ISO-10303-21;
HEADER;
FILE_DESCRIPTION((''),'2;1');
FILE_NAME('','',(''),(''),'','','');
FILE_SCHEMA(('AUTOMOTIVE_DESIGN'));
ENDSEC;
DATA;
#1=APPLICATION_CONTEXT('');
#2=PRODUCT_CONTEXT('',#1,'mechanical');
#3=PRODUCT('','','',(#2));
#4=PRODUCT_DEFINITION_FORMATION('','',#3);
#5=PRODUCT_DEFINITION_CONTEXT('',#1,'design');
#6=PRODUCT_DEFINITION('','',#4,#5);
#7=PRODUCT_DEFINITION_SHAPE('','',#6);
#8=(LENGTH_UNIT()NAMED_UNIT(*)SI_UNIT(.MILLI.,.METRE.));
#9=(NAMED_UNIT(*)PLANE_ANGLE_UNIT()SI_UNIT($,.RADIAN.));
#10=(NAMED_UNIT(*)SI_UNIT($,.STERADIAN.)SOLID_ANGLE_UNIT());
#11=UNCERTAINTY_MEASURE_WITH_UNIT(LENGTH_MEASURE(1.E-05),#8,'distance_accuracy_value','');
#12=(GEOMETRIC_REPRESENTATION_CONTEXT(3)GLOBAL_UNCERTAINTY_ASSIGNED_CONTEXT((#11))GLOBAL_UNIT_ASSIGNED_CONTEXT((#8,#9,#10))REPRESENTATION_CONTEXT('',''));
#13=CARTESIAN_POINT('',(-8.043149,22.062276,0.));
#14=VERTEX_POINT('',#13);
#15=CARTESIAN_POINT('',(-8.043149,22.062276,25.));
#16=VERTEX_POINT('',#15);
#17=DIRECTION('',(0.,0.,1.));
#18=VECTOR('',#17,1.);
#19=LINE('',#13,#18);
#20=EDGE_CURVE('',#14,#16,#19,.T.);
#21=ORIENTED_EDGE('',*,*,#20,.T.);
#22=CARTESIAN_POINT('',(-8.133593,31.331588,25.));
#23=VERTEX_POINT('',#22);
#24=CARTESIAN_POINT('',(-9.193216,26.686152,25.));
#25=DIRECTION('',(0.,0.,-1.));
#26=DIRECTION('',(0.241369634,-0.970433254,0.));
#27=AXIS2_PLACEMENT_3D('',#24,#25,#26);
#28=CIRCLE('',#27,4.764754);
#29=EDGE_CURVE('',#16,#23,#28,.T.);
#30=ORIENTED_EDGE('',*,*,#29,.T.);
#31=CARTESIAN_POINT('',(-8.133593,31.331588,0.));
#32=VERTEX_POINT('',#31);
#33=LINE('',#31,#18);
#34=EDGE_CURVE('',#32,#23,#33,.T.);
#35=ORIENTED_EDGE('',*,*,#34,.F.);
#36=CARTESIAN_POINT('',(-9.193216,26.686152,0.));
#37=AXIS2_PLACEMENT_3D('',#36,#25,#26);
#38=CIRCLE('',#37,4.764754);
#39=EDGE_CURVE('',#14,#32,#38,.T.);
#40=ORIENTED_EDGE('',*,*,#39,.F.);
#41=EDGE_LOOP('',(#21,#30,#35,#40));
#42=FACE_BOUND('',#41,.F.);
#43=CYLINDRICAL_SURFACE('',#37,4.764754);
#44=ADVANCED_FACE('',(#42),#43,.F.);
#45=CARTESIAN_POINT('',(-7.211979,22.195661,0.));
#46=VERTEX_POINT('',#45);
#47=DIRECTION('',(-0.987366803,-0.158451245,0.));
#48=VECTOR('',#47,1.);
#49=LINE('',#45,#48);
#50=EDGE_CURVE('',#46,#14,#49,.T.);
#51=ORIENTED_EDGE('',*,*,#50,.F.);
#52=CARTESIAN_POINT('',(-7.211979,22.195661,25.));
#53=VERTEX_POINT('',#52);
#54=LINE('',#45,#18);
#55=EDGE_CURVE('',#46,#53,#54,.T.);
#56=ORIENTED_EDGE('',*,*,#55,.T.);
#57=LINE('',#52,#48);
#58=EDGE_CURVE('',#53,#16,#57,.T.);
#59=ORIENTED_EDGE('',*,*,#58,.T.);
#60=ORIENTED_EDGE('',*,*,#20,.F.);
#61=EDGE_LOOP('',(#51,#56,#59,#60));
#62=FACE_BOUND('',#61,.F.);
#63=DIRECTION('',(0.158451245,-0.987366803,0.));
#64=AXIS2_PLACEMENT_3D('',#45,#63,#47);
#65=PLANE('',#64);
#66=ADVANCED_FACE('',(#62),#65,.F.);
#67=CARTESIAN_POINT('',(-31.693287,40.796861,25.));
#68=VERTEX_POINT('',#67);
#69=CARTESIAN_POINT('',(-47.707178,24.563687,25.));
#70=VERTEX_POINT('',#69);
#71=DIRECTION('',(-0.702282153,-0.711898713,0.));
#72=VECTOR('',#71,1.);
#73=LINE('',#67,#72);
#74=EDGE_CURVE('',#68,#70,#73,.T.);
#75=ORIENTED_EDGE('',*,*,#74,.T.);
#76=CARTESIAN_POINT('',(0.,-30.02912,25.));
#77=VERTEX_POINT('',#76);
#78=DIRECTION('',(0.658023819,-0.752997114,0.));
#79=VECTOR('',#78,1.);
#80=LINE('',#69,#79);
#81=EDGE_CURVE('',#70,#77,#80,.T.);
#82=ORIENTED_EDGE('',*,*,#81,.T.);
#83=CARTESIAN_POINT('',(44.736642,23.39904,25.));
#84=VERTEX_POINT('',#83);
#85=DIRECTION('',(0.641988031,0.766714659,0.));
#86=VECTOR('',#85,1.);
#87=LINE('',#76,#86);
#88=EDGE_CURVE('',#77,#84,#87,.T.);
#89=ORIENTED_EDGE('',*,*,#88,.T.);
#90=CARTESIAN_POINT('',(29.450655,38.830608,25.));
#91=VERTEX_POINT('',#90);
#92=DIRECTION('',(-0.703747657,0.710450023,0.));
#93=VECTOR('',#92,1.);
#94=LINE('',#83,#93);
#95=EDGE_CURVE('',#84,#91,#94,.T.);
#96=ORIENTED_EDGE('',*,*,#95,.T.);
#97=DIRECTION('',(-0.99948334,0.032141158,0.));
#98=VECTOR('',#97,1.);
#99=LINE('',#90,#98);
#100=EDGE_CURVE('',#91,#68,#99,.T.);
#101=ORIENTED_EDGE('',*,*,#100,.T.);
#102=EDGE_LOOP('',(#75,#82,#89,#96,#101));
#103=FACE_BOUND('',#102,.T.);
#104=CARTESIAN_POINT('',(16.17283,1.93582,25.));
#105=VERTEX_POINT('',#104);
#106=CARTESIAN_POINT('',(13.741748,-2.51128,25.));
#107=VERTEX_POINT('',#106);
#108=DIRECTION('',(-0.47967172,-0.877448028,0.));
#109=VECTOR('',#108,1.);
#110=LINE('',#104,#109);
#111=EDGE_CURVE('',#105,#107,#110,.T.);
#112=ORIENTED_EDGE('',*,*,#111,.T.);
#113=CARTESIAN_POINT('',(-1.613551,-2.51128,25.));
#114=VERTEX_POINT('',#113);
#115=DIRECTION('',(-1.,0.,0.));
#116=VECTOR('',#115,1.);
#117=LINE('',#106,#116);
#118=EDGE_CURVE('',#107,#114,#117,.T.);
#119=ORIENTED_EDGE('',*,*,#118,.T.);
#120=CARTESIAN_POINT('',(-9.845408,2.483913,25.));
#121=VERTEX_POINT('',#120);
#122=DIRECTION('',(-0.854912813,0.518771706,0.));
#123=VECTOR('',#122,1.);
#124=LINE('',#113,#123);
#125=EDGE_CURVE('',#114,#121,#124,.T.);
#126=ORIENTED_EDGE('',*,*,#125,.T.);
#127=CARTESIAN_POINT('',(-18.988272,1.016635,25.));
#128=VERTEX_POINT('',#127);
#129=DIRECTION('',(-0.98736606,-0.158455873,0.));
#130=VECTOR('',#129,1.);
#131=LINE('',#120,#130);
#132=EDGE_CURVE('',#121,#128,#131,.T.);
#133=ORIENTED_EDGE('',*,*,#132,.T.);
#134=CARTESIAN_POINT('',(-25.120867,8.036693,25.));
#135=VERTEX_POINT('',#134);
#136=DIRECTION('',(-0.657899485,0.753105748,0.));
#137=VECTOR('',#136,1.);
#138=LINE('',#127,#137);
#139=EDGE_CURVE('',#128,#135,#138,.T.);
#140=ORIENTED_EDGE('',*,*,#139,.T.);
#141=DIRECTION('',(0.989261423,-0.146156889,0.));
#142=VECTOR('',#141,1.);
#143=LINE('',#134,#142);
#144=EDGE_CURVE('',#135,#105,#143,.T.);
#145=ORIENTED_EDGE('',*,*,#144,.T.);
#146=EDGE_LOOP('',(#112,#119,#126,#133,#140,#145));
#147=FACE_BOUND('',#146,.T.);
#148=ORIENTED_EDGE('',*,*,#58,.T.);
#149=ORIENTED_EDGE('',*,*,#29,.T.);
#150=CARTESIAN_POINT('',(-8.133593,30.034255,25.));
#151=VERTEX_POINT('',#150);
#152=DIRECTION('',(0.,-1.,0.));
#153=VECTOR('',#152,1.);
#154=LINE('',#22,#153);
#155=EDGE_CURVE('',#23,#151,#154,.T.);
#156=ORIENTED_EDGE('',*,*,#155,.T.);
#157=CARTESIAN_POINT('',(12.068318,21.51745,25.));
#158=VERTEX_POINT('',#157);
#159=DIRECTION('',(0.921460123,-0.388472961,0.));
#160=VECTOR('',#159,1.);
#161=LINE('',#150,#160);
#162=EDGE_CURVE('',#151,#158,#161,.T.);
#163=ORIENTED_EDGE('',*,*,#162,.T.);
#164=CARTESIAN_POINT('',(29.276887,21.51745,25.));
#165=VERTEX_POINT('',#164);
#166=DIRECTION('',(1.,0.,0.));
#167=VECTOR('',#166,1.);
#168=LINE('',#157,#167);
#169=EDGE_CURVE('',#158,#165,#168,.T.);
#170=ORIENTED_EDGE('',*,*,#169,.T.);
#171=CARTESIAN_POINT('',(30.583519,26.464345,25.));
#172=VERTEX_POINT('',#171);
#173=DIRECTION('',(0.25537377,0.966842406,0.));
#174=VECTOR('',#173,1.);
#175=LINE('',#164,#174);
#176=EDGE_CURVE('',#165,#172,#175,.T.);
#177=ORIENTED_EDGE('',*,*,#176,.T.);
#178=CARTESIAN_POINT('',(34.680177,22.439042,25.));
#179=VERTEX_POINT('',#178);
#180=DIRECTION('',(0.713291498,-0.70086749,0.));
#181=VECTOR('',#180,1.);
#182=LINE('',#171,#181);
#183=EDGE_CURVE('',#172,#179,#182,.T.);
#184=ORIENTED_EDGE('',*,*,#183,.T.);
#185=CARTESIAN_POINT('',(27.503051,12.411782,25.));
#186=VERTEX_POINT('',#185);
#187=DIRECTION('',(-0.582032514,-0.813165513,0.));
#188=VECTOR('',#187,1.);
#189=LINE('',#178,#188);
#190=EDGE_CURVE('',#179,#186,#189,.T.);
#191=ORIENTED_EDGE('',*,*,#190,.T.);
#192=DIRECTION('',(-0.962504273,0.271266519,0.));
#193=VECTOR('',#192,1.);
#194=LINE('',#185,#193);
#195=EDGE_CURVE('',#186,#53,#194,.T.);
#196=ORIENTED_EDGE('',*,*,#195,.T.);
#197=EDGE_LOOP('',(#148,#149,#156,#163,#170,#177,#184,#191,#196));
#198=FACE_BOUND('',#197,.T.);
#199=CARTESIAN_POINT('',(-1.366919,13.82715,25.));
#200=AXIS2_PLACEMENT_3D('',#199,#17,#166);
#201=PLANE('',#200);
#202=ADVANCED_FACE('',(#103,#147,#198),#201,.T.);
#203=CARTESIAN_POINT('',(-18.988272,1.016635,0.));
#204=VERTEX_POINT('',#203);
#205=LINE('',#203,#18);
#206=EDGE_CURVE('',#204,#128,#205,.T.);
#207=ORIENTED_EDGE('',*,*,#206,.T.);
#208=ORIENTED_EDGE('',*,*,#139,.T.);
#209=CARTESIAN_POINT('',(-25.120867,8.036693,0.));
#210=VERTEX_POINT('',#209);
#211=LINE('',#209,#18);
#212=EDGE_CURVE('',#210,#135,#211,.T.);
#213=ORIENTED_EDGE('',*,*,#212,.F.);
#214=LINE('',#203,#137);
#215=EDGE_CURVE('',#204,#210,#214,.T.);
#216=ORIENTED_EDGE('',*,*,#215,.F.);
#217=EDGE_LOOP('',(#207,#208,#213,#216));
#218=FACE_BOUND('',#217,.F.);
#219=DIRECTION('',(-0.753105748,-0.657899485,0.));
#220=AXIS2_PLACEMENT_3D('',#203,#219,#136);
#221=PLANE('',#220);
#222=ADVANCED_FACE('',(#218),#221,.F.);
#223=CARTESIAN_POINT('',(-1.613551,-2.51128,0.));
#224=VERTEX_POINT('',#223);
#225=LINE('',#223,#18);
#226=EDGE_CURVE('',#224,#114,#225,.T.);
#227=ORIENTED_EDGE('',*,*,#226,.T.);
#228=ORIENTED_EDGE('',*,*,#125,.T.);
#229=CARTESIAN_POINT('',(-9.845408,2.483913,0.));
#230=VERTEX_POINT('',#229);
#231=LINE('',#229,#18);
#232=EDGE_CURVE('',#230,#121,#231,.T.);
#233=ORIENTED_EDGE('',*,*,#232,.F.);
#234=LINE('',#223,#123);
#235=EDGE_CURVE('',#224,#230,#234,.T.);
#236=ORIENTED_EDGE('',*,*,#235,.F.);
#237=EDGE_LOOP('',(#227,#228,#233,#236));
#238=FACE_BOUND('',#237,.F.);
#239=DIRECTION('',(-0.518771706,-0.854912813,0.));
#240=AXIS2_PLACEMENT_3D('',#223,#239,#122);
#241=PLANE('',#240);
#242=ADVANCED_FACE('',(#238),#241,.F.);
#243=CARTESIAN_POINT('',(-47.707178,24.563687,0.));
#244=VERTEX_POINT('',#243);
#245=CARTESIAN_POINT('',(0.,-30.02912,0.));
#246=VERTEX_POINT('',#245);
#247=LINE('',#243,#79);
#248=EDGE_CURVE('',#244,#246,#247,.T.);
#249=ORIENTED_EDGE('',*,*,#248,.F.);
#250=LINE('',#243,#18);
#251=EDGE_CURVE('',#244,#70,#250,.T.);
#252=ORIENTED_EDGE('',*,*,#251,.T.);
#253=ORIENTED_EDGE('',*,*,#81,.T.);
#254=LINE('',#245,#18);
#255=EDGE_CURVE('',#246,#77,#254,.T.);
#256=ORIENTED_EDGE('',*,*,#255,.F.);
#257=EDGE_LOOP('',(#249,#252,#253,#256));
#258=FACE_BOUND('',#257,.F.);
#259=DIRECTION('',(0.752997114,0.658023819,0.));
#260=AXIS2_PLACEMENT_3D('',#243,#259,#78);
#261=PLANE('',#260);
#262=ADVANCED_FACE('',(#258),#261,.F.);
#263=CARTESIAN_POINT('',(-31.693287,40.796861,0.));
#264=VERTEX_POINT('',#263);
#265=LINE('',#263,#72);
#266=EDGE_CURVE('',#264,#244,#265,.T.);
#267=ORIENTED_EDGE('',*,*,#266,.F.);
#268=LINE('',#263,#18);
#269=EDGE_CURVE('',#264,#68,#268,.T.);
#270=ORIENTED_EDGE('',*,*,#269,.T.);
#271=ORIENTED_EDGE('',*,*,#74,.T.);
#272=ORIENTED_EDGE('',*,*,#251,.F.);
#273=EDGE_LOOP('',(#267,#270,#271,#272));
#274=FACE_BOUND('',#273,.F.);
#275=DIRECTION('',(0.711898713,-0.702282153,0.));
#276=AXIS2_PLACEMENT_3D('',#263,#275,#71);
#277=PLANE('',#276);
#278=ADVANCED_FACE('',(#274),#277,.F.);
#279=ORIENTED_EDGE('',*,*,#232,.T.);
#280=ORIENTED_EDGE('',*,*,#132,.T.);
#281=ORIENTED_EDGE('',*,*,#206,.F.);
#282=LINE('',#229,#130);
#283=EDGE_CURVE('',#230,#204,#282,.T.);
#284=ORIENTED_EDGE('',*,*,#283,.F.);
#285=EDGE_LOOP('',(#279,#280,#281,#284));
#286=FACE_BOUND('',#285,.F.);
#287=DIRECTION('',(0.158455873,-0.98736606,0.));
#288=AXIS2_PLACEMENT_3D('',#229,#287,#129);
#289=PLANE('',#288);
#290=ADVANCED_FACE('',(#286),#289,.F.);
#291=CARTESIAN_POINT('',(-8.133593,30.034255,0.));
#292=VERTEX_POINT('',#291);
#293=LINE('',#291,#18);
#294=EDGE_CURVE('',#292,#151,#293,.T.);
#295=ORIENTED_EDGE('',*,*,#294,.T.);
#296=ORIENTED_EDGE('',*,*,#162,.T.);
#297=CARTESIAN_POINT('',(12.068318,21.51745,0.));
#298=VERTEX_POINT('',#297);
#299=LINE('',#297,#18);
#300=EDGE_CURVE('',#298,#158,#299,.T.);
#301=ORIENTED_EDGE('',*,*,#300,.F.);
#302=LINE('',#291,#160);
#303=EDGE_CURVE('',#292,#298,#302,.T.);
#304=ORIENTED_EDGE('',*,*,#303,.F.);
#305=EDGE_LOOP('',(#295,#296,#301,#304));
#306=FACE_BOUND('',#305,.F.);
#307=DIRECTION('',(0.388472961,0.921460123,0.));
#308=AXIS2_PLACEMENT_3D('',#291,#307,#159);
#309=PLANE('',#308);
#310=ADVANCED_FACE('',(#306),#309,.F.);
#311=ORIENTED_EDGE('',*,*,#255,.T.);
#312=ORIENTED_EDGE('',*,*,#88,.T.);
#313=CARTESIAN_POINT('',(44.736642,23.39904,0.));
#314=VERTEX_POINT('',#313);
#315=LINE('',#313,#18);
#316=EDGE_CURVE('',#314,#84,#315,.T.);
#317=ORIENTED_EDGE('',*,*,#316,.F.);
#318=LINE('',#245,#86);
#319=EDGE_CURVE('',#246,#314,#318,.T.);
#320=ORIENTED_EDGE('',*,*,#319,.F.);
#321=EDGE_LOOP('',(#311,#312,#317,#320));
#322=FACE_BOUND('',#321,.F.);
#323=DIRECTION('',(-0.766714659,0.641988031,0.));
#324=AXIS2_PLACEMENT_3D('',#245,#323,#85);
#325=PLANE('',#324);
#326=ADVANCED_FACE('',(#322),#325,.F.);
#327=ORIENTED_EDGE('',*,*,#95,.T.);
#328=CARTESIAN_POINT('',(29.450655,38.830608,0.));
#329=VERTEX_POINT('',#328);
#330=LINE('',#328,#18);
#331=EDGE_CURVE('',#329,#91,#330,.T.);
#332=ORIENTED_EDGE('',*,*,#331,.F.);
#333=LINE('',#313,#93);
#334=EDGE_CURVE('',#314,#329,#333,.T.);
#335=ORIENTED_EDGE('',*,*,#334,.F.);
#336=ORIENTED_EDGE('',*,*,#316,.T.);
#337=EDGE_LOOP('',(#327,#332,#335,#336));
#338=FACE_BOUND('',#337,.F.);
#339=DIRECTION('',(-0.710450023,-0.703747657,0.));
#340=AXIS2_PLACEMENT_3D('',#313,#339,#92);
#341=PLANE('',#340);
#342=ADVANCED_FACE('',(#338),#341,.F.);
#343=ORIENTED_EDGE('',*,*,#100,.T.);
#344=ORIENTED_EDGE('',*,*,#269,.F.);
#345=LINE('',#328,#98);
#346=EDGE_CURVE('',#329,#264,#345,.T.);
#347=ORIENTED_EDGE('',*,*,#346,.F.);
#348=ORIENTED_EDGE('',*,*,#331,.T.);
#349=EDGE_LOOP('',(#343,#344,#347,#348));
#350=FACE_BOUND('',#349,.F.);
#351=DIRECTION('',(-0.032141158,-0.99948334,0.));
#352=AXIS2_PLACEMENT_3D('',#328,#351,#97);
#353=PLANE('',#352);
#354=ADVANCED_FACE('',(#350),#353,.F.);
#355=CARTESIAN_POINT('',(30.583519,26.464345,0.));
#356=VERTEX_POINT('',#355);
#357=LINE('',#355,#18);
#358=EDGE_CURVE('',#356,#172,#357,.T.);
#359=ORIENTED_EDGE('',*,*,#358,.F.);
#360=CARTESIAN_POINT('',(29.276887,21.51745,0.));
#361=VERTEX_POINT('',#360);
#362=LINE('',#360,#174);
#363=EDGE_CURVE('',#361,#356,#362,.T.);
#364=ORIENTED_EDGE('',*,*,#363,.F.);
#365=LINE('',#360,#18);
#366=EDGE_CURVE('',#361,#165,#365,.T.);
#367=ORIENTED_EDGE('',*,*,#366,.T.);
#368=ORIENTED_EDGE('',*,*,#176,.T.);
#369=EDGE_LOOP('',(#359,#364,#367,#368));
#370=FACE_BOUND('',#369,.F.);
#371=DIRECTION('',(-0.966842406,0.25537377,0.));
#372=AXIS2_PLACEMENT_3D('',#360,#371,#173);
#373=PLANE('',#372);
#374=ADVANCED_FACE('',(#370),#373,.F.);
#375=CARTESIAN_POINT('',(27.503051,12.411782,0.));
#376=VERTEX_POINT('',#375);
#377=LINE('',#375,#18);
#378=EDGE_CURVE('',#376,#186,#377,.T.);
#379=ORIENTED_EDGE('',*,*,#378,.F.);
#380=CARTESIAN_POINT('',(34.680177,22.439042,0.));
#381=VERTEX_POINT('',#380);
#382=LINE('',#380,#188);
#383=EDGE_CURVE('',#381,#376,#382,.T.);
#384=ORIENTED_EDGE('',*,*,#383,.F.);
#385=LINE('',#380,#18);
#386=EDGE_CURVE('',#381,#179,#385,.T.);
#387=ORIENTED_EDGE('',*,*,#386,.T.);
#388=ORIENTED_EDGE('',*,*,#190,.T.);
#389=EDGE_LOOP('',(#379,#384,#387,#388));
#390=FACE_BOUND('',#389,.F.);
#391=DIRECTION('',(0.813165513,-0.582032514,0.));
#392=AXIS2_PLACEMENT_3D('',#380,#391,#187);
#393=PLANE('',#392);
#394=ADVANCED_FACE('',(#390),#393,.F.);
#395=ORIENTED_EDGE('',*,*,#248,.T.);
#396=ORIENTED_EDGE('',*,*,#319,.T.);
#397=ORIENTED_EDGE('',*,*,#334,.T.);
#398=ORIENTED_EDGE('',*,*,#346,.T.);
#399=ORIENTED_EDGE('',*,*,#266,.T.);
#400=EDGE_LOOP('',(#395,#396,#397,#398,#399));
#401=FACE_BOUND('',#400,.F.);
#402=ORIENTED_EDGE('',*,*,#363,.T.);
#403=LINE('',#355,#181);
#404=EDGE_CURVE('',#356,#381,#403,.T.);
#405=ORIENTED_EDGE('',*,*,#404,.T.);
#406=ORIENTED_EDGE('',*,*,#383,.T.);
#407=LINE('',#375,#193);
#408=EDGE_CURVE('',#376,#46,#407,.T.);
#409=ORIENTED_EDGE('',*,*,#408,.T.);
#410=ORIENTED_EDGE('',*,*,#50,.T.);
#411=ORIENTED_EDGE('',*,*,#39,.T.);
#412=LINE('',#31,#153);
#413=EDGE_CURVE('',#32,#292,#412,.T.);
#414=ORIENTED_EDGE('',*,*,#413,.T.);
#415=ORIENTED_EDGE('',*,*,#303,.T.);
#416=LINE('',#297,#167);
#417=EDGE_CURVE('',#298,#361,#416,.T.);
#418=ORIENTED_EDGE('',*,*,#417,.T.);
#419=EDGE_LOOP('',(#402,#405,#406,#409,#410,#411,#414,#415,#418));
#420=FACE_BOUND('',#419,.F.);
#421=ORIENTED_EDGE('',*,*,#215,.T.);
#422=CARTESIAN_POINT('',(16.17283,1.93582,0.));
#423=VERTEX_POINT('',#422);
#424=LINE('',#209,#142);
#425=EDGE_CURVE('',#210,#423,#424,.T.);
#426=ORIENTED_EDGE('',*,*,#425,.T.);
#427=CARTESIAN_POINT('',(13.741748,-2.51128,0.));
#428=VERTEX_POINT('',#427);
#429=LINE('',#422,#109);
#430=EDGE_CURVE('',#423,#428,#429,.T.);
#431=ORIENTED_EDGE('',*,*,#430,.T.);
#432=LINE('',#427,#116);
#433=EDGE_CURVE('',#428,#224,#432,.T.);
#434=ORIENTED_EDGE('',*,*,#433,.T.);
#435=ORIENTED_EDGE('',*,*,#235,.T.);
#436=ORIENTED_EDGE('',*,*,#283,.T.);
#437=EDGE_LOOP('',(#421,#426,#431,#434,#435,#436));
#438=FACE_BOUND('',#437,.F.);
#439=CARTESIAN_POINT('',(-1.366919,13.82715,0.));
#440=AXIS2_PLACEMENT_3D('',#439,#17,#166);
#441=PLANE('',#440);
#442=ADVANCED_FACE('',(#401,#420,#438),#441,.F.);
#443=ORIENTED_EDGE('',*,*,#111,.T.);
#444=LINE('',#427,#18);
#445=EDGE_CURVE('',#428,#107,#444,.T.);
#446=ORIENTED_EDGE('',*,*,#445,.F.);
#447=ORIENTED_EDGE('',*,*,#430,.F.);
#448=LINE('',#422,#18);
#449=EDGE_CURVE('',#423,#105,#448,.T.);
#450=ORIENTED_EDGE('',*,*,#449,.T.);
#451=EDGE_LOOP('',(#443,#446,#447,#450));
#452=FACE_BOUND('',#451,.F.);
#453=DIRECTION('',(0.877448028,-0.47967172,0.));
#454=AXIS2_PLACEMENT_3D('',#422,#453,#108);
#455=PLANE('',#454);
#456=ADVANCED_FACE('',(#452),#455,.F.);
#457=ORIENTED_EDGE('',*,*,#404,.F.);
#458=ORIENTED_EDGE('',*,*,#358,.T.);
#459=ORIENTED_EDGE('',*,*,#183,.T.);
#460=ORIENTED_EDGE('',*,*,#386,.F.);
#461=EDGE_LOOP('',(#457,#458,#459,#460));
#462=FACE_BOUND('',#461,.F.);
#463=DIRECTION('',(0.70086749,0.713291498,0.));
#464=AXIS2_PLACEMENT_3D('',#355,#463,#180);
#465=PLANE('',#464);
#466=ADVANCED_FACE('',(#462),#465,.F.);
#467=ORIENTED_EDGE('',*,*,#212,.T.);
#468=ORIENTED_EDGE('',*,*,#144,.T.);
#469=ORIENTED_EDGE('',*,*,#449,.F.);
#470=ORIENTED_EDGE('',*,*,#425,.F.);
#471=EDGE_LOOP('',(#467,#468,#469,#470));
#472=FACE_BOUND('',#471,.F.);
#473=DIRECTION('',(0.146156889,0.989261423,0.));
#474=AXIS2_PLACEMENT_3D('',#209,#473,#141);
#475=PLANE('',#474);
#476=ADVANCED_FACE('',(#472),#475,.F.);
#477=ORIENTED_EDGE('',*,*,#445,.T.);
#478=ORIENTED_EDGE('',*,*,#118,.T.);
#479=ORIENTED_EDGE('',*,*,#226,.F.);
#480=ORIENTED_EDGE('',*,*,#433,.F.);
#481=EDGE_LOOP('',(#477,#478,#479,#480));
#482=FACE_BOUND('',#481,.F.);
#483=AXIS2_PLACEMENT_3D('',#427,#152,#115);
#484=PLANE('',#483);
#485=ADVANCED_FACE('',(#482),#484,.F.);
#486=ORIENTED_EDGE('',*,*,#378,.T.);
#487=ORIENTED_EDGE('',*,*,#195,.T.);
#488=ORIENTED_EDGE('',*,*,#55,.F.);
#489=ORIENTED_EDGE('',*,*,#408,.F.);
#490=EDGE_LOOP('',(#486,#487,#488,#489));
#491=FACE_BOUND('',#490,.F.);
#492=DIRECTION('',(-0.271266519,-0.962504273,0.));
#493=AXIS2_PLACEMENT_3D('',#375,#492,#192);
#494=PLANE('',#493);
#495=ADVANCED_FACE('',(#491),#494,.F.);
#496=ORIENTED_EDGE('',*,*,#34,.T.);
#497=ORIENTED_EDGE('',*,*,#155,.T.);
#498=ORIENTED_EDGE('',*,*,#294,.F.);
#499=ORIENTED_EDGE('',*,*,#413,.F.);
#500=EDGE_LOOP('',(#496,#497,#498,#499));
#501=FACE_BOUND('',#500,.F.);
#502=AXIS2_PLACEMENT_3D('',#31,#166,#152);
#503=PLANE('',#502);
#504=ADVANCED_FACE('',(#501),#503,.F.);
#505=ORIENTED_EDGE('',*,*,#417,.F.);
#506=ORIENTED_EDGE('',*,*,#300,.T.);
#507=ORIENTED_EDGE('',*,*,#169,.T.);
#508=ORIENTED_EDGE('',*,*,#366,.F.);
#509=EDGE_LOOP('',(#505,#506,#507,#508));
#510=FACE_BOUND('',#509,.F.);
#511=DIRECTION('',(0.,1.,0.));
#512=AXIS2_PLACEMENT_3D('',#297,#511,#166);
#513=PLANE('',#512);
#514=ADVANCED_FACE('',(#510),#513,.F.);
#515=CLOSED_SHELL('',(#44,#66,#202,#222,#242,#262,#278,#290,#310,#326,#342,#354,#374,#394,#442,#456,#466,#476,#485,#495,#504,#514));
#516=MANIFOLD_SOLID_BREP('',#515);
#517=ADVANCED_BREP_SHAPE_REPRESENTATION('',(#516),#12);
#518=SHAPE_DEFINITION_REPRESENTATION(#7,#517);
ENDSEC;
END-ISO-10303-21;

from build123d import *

# Parameters (mm, degrees)
F1_DEPTH = 25


with BuildPart() as f1:
    # F0 (on Top) → F1 (new body)
    with BuildSketch(Plane.XY):
        Polygon((29.450655, 38.830608), (-31.693287, 40.796861), (-47.707178, 24.563687), (0, -30.02912), (44.736642, 23.39904), align=None)
        Polygon((-18.988272, 1.016635), (-25.120867, 8.036693), (16.17283, 1.93582), (13.741748, -2.51128), (-1.613551, -2.51128), (-9.845408, 2.483913), align=None, mode=Mode.SUBTRACT)
        with BuildLine():
            ThreePointArc((-8.043149, 22.062276), (-13.957743, 26.639662), (-8.133593, 31.331588))
            Line((-8.133593, 31.331588), (-8.133593, 30.034255))
            Line((-8.133593, 30.034255), (12.068318, 21.51745))
            Line((12.068318, 21.51745), (29.276887, 21.51745))
            Line((29.276887, 21.51745), (30.583519, 26.464345))
            Line((30.583519, 26.464345), (34.680177, 22.439042))
            Line((34.680177, 22.439042), (27.503051, 12.411782))
            Line((27.503051, 12.411782), (-7.211979, 22.195661))
            Line((-7.211979, 22.195661), (-8.043149, 22.062276))
        make_face(mode=Mode.SUBTRACT)
    extrude(amount=F1_DEPTH)


solid = f1.part
